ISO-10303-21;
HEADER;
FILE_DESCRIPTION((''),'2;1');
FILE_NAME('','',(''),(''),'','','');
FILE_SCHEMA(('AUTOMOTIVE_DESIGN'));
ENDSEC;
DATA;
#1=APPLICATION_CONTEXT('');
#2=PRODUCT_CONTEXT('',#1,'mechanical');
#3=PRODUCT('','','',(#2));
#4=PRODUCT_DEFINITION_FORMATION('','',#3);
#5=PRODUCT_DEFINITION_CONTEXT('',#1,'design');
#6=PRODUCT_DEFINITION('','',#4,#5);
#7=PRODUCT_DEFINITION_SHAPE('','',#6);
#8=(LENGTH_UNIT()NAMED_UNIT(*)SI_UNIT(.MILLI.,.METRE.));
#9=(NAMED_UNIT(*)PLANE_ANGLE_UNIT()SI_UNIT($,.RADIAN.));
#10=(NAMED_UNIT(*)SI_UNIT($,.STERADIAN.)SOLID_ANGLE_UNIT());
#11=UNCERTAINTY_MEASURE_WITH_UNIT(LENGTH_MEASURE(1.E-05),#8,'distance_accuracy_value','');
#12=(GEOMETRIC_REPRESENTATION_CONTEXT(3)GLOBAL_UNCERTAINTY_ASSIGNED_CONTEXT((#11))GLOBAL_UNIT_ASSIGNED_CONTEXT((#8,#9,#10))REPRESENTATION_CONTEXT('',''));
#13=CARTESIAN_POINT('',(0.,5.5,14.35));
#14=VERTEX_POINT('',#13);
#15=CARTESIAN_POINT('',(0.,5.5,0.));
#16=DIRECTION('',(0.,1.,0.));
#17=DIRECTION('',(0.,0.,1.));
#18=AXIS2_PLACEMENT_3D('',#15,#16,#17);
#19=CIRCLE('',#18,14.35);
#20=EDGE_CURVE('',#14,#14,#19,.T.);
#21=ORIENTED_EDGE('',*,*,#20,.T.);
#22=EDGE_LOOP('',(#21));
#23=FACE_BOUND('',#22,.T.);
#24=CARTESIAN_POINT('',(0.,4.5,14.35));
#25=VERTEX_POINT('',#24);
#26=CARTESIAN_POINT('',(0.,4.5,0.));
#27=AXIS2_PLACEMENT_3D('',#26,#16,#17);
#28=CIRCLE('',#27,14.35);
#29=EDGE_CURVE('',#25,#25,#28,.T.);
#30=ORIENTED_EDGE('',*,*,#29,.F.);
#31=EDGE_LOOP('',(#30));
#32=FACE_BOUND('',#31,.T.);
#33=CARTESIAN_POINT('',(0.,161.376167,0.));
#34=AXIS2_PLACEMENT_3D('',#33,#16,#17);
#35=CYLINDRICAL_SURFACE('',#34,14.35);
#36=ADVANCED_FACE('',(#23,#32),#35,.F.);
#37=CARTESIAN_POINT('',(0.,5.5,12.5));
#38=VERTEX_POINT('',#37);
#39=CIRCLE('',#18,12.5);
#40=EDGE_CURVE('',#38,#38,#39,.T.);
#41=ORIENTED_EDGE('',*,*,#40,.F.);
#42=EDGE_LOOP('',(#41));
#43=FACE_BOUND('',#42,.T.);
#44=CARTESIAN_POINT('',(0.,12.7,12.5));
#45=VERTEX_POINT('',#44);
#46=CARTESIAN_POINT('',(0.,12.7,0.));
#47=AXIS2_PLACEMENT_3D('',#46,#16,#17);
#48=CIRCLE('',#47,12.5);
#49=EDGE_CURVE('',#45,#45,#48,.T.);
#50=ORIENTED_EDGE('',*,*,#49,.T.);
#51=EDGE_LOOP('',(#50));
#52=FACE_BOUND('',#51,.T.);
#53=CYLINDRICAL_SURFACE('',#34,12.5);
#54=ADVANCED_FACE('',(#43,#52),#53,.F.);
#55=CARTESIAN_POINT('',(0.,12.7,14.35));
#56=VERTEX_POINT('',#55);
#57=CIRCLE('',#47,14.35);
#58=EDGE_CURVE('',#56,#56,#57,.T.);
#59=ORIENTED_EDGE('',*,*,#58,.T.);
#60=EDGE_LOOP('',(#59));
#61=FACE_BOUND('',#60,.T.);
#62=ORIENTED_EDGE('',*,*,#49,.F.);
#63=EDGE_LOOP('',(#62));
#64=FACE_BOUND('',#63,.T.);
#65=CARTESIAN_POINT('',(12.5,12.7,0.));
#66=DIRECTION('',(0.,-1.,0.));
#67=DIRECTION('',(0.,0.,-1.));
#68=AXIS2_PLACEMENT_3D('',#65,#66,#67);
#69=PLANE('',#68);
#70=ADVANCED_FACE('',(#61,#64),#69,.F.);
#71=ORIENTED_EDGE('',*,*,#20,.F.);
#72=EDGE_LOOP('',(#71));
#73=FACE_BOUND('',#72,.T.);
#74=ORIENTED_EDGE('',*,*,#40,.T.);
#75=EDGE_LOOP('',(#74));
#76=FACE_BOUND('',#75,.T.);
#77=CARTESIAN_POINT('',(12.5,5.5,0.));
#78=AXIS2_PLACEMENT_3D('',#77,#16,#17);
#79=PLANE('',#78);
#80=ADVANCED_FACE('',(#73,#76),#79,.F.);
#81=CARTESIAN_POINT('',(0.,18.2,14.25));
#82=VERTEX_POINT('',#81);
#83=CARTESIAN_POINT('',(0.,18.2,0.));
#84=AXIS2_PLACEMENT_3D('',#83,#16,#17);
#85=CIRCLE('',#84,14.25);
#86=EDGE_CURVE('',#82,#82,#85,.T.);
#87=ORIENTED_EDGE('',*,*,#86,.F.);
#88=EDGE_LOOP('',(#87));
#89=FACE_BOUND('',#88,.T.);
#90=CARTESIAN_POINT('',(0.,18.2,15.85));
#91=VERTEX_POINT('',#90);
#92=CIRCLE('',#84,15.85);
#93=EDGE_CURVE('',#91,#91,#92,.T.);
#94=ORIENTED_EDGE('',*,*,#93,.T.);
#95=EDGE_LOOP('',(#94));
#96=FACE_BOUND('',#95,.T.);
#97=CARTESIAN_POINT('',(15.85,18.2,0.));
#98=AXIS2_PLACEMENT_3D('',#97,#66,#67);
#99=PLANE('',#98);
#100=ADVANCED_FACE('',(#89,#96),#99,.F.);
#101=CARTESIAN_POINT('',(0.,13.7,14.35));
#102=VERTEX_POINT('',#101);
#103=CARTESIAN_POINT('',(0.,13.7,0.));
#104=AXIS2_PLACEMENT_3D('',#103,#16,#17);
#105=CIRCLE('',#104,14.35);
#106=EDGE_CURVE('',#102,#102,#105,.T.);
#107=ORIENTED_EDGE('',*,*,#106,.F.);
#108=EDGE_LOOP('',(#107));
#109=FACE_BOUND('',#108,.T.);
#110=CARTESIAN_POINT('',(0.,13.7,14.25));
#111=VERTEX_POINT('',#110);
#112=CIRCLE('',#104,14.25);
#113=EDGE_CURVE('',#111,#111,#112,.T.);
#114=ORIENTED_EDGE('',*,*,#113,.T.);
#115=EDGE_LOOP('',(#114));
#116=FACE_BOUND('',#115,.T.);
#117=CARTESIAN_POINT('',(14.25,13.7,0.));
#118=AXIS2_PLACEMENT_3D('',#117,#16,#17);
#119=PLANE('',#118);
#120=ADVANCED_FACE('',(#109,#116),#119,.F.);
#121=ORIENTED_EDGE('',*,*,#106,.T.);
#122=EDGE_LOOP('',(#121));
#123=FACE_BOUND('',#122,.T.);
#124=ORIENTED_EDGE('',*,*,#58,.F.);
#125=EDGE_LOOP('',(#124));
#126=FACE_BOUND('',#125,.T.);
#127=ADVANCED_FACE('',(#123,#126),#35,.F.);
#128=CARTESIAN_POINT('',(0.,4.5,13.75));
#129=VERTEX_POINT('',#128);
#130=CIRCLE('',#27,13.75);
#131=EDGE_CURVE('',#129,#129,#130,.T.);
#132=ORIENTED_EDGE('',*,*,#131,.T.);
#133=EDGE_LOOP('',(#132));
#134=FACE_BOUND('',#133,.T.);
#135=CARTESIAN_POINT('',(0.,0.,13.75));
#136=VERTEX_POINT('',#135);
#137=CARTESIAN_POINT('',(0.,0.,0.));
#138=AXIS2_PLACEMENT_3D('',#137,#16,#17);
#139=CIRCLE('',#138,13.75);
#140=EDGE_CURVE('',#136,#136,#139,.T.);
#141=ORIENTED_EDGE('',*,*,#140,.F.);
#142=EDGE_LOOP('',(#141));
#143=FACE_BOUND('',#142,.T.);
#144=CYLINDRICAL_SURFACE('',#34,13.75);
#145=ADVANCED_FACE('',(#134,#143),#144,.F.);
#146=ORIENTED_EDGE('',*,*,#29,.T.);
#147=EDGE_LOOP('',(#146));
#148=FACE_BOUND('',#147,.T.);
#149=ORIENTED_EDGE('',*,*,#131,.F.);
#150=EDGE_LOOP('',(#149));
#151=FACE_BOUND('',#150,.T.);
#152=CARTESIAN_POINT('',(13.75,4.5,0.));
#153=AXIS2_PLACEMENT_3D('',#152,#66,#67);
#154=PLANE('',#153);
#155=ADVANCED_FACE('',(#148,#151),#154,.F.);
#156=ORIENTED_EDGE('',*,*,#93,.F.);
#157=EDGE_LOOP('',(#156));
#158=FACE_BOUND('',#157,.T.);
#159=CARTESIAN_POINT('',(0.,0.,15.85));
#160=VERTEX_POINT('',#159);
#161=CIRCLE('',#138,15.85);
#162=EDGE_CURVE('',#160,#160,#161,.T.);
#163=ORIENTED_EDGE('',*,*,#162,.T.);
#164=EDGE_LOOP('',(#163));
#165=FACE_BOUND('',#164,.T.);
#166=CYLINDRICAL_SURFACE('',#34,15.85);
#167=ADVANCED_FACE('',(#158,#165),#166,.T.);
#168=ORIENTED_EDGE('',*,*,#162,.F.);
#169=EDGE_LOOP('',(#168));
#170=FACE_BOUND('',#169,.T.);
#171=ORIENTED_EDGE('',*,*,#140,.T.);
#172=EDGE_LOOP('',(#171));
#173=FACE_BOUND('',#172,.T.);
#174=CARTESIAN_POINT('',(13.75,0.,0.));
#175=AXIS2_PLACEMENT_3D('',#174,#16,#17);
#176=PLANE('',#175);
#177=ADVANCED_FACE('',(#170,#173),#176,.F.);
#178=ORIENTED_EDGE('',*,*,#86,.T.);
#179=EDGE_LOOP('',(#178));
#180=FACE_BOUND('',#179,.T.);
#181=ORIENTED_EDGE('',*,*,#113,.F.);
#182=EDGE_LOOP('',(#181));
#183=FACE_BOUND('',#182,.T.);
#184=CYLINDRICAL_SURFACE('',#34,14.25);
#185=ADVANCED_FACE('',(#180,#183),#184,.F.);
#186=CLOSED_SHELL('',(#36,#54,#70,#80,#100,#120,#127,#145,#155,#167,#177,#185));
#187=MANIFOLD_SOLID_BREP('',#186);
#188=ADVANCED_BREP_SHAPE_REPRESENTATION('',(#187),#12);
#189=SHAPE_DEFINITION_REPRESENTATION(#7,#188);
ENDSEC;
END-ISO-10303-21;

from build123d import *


with BuildPart() as part:
    # 草图1 → 旋转1 (revolve)
    with BuildSketch(Plane.XY, mode=Mode.PRIVATE) as revolve_1_sk:
        Polygon((13.75, 0), (13.75, 4.5), (14.35, 4.5), (14.35, 5.5), (12.5, 5.5), (12.5, 12.7), (14.35, 12.7), (14.35, 13.7), (14.25, 13.7), (14.25, 18.2), (15.85, 18.2), (15.85, 0), align=None)
    revolve(revolve_1_sk.sketch.rotate(Axis((0, 161.376166943, 0), (0, -1, 0)), 90), axis=Axis((0, 161.376166943, 0), (0, -1, 0)))  # turned: the seam where the file's is


solid = part.part
